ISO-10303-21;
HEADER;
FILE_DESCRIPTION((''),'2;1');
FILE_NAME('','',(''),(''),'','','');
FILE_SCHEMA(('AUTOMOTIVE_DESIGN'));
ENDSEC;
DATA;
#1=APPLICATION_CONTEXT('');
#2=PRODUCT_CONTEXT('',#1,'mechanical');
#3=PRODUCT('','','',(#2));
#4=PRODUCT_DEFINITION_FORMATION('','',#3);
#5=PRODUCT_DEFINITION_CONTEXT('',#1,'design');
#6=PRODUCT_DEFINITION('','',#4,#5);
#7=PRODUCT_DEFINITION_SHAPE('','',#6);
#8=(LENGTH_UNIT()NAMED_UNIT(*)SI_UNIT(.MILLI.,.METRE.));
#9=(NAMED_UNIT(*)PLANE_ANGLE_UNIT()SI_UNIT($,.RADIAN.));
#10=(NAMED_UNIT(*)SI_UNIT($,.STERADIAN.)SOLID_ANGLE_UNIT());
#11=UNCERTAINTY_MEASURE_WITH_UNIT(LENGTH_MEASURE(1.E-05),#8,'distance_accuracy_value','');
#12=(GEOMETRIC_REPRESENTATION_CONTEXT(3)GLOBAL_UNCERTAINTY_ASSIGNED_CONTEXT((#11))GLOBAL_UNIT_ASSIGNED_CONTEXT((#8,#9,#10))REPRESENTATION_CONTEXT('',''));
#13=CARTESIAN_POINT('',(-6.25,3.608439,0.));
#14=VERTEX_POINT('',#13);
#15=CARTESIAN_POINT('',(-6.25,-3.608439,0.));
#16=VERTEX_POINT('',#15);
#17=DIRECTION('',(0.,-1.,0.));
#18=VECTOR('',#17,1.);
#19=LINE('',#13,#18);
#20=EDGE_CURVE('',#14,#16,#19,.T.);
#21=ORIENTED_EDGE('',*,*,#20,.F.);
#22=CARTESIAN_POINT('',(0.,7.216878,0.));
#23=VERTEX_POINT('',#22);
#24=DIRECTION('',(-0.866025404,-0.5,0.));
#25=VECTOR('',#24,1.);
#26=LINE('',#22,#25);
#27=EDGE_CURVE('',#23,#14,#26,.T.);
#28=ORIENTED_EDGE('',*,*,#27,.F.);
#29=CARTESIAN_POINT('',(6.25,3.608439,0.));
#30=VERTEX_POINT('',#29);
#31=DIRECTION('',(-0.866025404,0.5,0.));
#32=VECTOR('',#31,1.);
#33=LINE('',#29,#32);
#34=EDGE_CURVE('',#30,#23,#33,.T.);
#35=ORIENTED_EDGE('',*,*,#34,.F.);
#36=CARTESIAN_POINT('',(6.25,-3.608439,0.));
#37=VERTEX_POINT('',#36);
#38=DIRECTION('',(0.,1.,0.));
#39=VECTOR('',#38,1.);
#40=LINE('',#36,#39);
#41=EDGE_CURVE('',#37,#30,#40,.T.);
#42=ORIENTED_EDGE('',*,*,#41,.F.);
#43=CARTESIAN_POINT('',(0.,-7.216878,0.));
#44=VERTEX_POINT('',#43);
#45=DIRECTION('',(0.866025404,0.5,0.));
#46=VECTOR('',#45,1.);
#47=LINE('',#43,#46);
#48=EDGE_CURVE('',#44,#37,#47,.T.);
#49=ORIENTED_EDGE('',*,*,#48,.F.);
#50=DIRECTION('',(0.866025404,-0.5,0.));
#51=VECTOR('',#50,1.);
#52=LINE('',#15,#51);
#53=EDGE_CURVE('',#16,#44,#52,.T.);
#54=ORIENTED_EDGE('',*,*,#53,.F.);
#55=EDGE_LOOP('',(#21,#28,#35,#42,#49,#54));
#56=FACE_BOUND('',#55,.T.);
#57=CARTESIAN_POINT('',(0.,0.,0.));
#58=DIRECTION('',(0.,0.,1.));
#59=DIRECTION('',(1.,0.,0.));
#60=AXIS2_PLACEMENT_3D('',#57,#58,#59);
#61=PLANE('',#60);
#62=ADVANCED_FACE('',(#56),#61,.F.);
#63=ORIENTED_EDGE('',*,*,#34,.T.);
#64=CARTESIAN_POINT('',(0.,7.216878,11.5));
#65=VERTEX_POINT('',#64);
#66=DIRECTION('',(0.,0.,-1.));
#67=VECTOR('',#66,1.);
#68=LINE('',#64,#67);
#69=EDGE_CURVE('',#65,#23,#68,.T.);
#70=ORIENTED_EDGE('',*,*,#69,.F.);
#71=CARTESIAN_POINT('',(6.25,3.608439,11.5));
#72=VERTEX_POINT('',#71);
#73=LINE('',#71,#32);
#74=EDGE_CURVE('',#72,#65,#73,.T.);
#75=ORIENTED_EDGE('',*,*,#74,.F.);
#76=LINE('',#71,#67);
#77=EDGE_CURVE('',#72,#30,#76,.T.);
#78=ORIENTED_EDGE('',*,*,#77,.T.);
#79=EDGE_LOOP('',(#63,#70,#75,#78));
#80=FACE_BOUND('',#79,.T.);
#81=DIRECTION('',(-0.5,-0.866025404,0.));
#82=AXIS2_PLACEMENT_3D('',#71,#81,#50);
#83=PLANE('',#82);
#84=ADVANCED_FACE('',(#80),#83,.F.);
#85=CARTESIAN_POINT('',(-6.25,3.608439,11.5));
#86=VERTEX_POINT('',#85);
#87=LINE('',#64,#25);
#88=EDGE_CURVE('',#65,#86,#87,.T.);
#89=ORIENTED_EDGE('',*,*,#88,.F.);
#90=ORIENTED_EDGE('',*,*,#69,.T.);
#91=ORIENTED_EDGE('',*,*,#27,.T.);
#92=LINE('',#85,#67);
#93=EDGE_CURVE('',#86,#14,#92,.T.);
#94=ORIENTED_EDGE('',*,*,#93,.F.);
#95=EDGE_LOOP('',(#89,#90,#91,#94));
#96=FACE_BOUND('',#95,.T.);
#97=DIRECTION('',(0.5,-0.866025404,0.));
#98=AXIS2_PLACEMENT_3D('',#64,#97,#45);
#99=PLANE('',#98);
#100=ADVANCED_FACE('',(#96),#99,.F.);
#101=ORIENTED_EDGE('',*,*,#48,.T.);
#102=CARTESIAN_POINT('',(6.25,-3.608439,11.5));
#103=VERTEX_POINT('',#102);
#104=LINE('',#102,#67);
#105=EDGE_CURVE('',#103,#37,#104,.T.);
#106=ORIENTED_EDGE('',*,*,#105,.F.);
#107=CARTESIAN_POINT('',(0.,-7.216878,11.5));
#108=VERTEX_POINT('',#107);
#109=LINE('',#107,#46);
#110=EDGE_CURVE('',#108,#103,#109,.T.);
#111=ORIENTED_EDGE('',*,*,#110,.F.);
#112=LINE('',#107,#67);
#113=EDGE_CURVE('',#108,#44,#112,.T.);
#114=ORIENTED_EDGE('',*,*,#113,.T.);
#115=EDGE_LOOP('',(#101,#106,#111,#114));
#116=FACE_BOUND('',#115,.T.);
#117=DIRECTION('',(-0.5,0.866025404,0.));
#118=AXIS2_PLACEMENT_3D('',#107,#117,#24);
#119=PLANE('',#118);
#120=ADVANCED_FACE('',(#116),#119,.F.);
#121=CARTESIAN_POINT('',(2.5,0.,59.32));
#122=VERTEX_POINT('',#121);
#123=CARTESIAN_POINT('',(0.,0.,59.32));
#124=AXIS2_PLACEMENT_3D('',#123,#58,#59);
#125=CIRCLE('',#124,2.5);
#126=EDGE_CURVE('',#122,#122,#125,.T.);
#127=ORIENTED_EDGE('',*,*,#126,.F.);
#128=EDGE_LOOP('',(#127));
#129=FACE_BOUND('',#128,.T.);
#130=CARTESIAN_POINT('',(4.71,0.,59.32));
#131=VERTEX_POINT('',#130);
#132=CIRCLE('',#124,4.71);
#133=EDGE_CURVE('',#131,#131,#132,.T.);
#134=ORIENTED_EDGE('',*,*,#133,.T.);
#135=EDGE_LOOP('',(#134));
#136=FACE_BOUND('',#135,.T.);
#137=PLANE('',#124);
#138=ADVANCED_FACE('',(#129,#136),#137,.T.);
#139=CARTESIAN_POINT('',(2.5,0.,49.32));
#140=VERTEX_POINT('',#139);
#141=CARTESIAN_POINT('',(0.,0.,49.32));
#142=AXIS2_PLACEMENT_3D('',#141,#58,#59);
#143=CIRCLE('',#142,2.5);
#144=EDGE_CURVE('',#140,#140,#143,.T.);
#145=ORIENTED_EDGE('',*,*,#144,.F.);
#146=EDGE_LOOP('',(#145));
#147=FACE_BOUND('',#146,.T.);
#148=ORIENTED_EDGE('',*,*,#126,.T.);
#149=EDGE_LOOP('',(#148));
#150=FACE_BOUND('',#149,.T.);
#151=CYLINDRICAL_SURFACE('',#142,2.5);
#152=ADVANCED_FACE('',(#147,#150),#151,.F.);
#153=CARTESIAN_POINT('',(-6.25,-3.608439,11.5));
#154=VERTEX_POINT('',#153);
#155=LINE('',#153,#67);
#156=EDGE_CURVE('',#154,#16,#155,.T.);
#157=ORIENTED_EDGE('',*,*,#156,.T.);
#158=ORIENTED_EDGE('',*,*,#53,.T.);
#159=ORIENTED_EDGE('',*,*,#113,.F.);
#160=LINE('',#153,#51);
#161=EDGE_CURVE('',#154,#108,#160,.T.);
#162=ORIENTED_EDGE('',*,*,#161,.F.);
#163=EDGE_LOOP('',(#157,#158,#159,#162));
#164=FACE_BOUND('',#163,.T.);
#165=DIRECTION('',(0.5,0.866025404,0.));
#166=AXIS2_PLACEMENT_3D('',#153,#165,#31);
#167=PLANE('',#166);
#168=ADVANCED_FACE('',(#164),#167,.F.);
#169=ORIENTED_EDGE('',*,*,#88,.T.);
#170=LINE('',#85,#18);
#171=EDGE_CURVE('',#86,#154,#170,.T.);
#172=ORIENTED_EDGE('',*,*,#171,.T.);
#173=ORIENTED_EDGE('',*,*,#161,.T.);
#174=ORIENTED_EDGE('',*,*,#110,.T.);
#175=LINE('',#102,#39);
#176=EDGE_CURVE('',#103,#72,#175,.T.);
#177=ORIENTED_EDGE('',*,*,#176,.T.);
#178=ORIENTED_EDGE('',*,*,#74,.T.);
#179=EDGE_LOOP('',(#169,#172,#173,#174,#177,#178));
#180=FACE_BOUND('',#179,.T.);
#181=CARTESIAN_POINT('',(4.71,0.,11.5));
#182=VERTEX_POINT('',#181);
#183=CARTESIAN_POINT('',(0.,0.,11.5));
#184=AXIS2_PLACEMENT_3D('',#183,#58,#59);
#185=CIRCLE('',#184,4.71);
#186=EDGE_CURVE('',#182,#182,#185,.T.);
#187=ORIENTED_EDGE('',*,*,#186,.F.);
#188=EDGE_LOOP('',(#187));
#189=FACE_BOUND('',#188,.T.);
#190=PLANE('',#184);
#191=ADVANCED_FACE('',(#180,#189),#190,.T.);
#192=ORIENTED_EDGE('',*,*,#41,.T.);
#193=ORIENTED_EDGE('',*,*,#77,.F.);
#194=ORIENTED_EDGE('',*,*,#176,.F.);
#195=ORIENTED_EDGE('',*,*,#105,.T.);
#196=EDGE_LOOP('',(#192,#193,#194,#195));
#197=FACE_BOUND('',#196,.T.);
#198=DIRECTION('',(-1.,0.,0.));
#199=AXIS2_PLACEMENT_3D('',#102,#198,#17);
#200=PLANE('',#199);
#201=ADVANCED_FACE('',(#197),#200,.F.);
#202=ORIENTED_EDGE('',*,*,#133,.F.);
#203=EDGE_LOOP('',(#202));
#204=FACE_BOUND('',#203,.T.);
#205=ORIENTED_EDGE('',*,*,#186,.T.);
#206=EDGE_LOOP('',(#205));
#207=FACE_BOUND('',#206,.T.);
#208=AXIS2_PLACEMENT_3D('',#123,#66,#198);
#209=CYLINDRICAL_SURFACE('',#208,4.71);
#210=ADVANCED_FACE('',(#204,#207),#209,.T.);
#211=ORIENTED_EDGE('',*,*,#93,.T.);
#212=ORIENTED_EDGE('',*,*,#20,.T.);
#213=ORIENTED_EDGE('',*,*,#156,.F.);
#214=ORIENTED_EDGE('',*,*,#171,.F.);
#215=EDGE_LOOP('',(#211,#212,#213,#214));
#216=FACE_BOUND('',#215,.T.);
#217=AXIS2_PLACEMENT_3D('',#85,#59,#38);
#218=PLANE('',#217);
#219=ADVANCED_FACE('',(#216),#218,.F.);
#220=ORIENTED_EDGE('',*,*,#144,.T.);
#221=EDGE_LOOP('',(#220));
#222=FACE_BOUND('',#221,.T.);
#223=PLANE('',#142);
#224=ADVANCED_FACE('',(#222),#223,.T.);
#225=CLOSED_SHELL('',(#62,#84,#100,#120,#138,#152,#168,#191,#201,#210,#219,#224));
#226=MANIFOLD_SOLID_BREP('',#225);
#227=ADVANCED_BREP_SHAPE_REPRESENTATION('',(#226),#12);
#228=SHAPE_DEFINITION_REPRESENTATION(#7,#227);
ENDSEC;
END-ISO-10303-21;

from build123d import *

# Parameters (mm, degrees)
SALIENTE_EXTRUIR1_DEPTH = 11.5
CROQUIS2_R              = 4.71
SALIENTE_EXTRUIR2_DEPTH = 47.82
CROQUIS3_R              = 2.5
CORTAR_EXTRUIR1_DEPTH   = 10


with BuildPart() as part:
    # Croquis1 → Saliente-Extruir1 (new body)
    with BuildSketch(Plane.XY):
        Polygon((0, 7.216878365), (-6.25, 3.608439182), (-6.25, -3.608439182), (0, -7.216878365), (6.25, -3.608439182), (6.25, 3.608439182), align=None)
    extrude(amount=SALIENTE_EXTRUIR1_DEPTH)

    # Croquis2 → Saliente-Extruir2 (add)
    with BuildSketch(Plane.XY.offset(11.5)):
        Circle(CROQUIS2_R)
    extrude(amount=SALIENTE_EXTRUIR2_DEPTH)

    # Croquis3 → Cortar-Extruir1 (cut)
    with BuildSketch(Plane.XY.offset(59.32)):
        Circle(CROQUIS3_R)
    extrude(amount=-CORTAR_EXTRUIR1_DEPTH, mode=Mode.SUBTRACT)


solid = part.part
